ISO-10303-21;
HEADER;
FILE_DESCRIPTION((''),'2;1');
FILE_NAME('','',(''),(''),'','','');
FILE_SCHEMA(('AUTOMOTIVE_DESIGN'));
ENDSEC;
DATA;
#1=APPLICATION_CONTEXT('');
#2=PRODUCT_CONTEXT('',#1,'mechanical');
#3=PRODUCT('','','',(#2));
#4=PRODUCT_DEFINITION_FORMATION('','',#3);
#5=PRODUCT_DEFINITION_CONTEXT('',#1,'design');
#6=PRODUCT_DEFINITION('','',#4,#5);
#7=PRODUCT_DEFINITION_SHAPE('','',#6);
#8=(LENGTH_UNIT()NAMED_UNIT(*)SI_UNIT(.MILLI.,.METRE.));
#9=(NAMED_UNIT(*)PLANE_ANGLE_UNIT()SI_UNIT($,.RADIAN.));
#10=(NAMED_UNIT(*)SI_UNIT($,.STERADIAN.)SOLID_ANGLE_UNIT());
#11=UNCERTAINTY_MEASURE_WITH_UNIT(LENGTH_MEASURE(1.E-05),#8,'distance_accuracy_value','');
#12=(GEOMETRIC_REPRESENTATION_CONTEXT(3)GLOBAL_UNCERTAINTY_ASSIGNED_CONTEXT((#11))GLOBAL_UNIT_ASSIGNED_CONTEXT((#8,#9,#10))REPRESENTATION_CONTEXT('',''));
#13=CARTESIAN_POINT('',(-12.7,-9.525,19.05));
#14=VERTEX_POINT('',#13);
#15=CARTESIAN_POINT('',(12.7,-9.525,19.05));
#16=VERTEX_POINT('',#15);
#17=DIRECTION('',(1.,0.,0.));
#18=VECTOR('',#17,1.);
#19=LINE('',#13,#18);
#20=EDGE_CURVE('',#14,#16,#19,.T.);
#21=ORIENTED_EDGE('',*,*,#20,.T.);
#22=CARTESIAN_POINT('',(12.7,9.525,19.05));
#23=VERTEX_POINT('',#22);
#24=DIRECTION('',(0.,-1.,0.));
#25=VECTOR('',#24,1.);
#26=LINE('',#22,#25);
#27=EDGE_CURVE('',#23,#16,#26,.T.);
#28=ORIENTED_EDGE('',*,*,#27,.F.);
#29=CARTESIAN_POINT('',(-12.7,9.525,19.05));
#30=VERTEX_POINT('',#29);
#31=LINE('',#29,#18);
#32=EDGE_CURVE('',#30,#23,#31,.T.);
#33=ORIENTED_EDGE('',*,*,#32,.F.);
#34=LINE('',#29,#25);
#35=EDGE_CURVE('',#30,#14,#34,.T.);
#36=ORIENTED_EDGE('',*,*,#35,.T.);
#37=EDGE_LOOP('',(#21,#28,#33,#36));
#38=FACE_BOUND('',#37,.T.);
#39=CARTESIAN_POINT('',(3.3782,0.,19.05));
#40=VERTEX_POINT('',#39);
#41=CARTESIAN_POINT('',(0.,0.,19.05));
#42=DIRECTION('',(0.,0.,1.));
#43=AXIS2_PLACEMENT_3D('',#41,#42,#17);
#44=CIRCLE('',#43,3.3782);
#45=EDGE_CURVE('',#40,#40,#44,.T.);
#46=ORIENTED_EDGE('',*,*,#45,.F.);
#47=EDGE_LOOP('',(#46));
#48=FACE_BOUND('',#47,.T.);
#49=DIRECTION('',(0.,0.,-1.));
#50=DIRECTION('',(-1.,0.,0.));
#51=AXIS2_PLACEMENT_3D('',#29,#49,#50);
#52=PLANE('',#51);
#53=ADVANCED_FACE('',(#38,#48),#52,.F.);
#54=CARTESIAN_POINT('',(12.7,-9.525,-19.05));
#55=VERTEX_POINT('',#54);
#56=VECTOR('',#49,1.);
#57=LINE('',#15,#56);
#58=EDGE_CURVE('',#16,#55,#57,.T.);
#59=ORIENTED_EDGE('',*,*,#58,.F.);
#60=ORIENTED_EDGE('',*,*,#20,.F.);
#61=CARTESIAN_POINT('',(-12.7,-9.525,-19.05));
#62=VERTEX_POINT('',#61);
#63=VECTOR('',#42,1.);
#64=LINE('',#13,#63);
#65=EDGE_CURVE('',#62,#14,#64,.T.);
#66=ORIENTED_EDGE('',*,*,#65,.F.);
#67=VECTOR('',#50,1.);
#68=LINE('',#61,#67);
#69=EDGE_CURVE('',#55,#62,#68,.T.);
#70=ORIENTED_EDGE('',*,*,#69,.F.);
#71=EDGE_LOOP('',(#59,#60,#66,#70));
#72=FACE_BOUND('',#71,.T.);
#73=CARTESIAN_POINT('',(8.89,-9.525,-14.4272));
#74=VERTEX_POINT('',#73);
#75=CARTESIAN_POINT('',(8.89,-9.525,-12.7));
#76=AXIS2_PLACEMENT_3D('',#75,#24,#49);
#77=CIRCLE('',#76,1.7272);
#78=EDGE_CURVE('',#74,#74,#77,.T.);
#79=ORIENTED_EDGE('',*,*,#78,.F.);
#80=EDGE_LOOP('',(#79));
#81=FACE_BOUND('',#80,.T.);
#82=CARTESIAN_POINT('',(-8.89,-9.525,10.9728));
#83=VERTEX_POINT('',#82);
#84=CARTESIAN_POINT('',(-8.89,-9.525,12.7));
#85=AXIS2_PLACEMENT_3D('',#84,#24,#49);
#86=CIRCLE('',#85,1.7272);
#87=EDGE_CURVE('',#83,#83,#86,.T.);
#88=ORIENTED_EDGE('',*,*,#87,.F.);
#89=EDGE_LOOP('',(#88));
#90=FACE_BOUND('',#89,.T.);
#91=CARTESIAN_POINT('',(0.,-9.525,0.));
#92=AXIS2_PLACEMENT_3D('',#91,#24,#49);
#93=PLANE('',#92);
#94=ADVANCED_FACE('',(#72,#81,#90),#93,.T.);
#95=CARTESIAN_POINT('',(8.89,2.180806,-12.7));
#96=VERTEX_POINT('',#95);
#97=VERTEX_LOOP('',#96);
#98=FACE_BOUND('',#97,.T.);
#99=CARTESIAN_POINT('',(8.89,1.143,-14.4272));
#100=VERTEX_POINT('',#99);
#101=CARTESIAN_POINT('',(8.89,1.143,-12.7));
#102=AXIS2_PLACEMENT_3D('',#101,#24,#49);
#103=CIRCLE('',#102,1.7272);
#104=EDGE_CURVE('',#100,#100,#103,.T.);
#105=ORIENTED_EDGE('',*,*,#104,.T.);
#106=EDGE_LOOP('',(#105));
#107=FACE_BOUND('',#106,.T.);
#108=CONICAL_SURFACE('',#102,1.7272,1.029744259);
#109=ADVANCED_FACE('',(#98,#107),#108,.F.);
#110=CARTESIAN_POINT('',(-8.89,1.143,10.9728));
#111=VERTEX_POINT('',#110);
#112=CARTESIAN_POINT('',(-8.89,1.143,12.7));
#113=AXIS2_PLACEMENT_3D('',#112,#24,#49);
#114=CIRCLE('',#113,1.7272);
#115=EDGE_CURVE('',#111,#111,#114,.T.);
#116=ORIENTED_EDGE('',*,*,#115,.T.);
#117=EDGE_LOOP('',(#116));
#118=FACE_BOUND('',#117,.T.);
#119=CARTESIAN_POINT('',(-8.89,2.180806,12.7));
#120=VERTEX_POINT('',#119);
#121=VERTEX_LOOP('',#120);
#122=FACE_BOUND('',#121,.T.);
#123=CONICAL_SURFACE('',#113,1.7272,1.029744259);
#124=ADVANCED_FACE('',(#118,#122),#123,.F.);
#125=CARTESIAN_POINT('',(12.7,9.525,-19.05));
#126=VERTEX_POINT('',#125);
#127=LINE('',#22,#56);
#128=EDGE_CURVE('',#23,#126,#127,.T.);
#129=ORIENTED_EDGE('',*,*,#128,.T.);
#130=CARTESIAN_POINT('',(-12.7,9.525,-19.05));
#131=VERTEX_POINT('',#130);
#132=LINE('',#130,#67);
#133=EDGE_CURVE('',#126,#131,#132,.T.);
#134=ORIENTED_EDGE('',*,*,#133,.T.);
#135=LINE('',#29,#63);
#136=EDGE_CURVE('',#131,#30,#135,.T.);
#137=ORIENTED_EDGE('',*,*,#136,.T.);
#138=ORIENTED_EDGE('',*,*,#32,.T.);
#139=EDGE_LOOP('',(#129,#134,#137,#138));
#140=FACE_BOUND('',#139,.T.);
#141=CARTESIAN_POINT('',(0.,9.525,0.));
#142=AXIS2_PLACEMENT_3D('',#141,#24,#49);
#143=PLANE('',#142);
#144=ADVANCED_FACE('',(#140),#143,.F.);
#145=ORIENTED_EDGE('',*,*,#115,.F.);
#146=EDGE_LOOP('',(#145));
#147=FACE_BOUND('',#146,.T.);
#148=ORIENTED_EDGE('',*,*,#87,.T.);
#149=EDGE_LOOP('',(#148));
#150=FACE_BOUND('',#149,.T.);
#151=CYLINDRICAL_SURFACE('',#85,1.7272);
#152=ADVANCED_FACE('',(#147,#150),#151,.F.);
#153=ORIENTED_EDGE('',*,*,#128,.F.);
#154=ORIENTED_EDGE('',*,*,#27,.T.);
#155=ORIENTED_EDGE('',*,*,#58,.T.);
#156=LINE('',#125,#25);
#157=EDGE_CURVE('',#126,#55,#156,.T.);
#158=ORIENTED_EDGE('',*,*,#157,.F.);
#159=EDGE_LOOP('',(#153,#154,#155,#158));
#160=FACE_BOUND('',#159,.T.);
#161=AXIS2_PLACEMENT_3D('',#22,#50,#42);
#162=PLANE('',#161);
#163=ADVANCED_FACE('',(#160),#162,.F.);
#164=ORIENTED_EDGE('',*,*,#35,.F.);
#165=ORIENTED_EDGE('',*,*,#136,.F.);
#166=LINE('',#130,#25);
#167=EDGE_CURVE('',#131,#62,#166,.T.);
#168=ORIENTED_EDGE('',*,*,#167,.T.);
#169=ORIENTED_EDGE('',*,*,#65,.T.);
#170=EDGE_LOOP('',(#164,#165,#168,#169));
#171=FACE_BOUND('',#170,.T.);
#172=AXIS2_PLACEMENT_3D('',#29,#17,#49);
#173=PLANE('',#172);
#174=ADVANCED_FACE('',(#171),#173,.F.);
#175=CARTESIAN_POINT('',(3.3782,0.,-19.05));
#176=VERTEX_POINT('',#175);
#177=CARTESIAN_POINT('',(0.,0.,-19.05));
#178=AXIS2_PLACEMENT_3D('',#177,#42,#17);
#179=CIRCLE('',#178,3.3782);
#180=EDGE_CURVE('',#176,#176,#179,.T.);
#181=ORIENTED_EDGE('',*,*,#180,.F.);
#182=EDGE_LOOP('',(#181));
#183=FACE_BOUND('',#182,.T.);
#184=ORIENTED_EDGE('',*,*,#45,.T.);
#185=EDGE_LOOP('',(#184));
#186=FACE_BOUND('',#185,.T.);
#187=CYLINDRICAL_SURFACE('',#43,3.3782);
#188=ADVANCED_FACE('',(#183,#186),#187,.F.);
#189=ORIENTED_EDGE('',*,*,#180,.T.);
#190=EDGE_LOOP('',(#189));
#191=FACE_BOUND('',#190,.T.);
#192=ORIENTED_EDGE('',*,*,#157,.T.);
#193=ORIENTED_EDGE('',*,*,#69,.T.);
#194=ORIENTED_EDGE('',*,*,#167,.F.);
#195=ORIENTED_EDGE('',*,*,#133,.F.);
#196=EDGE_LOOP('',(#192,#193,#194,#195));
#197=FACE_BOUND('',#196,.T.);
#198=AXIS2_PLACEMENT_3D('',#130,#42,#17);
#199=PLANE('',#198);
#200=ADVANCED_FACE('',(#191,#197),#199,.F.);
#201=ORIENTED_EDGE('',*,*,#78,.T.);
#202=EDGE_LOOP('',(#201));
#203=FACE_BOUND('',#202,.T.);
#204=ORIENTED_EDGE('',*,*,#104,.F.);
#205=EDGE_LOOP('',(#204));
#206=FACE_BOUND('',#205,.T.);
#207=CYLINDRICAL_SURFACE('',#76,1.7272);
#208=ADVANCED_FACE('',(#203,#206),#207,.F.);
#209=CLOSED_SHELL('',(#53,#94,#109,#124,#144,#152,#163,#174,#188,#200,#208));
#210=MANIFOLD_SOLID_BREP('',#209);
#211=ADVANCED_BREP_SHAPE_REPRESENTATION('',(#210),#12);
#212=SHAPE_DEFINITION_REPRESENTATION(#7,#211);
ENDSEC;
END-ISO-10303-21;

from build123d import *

# Parameters (mm, degrees)
SKETCH1_W                 = 25.4
SKETCH1_H                 = 38.1
BOSS_EXTRUDE1_DEPTH       = 9.525
F_1_4_CLEARANCE_HOLE1_D   = 6.7564
F_8_32_TAPPED_HOLE1_D     = 3.4544
F_8_32_TAPPED_HOLE1_DEPTH = 10.668
F_8_32_TAPPED_HOLE1_TIP   = 1.037806461


with BuildPart() as part:
    # Sketch1 → Boss-Extrude1 (new, symmetric)
    with BuildSketch(Plane(origin=(0, 0, 0), x_dir=(1, 0, 0), z_dir=(0, 1, 0))):
        Rectangle(SKETCH1_W, SKETCH1_H)
    extrude(amount=BOSS_EXTRUDE1_DEPTH, both=True)

    # 1/4 Clearance Hole1 (through all)
    with Locations(Plane.XY.offset(19.05)):
        with Locations((0, 0)):
            Hole(F_1_4_CLEARANCE_HOLE1_D / 2)

    # #8-32 Tapped Hole1
    with Locations(Plane(origin=(0, -9.525, 0), x_dir=(-1, 0, 0), z_dir=(0, -1, 0))):
        with Locations((8.89, -12.7), (-8.89, 12.7)):
            Hole(F_8_32_TAPPED_HOLE1_D / 2, depth=F_8_32_TAPPED_HOLE1_DEPTH)
            with Locations((0, 0, -(F_8_32_TAPPED_HOLE1_DEPTH + F_8_32_TAPPED_HOLE1_TIP / 2))):  # 118° drill point
                Cone(0, F_8_32_TAPPED_HOLE1_D / 2, F_8_32_TAPPED_HOLE1_TIP, mode=Mode.SUBTRACT)


solid = part.part
